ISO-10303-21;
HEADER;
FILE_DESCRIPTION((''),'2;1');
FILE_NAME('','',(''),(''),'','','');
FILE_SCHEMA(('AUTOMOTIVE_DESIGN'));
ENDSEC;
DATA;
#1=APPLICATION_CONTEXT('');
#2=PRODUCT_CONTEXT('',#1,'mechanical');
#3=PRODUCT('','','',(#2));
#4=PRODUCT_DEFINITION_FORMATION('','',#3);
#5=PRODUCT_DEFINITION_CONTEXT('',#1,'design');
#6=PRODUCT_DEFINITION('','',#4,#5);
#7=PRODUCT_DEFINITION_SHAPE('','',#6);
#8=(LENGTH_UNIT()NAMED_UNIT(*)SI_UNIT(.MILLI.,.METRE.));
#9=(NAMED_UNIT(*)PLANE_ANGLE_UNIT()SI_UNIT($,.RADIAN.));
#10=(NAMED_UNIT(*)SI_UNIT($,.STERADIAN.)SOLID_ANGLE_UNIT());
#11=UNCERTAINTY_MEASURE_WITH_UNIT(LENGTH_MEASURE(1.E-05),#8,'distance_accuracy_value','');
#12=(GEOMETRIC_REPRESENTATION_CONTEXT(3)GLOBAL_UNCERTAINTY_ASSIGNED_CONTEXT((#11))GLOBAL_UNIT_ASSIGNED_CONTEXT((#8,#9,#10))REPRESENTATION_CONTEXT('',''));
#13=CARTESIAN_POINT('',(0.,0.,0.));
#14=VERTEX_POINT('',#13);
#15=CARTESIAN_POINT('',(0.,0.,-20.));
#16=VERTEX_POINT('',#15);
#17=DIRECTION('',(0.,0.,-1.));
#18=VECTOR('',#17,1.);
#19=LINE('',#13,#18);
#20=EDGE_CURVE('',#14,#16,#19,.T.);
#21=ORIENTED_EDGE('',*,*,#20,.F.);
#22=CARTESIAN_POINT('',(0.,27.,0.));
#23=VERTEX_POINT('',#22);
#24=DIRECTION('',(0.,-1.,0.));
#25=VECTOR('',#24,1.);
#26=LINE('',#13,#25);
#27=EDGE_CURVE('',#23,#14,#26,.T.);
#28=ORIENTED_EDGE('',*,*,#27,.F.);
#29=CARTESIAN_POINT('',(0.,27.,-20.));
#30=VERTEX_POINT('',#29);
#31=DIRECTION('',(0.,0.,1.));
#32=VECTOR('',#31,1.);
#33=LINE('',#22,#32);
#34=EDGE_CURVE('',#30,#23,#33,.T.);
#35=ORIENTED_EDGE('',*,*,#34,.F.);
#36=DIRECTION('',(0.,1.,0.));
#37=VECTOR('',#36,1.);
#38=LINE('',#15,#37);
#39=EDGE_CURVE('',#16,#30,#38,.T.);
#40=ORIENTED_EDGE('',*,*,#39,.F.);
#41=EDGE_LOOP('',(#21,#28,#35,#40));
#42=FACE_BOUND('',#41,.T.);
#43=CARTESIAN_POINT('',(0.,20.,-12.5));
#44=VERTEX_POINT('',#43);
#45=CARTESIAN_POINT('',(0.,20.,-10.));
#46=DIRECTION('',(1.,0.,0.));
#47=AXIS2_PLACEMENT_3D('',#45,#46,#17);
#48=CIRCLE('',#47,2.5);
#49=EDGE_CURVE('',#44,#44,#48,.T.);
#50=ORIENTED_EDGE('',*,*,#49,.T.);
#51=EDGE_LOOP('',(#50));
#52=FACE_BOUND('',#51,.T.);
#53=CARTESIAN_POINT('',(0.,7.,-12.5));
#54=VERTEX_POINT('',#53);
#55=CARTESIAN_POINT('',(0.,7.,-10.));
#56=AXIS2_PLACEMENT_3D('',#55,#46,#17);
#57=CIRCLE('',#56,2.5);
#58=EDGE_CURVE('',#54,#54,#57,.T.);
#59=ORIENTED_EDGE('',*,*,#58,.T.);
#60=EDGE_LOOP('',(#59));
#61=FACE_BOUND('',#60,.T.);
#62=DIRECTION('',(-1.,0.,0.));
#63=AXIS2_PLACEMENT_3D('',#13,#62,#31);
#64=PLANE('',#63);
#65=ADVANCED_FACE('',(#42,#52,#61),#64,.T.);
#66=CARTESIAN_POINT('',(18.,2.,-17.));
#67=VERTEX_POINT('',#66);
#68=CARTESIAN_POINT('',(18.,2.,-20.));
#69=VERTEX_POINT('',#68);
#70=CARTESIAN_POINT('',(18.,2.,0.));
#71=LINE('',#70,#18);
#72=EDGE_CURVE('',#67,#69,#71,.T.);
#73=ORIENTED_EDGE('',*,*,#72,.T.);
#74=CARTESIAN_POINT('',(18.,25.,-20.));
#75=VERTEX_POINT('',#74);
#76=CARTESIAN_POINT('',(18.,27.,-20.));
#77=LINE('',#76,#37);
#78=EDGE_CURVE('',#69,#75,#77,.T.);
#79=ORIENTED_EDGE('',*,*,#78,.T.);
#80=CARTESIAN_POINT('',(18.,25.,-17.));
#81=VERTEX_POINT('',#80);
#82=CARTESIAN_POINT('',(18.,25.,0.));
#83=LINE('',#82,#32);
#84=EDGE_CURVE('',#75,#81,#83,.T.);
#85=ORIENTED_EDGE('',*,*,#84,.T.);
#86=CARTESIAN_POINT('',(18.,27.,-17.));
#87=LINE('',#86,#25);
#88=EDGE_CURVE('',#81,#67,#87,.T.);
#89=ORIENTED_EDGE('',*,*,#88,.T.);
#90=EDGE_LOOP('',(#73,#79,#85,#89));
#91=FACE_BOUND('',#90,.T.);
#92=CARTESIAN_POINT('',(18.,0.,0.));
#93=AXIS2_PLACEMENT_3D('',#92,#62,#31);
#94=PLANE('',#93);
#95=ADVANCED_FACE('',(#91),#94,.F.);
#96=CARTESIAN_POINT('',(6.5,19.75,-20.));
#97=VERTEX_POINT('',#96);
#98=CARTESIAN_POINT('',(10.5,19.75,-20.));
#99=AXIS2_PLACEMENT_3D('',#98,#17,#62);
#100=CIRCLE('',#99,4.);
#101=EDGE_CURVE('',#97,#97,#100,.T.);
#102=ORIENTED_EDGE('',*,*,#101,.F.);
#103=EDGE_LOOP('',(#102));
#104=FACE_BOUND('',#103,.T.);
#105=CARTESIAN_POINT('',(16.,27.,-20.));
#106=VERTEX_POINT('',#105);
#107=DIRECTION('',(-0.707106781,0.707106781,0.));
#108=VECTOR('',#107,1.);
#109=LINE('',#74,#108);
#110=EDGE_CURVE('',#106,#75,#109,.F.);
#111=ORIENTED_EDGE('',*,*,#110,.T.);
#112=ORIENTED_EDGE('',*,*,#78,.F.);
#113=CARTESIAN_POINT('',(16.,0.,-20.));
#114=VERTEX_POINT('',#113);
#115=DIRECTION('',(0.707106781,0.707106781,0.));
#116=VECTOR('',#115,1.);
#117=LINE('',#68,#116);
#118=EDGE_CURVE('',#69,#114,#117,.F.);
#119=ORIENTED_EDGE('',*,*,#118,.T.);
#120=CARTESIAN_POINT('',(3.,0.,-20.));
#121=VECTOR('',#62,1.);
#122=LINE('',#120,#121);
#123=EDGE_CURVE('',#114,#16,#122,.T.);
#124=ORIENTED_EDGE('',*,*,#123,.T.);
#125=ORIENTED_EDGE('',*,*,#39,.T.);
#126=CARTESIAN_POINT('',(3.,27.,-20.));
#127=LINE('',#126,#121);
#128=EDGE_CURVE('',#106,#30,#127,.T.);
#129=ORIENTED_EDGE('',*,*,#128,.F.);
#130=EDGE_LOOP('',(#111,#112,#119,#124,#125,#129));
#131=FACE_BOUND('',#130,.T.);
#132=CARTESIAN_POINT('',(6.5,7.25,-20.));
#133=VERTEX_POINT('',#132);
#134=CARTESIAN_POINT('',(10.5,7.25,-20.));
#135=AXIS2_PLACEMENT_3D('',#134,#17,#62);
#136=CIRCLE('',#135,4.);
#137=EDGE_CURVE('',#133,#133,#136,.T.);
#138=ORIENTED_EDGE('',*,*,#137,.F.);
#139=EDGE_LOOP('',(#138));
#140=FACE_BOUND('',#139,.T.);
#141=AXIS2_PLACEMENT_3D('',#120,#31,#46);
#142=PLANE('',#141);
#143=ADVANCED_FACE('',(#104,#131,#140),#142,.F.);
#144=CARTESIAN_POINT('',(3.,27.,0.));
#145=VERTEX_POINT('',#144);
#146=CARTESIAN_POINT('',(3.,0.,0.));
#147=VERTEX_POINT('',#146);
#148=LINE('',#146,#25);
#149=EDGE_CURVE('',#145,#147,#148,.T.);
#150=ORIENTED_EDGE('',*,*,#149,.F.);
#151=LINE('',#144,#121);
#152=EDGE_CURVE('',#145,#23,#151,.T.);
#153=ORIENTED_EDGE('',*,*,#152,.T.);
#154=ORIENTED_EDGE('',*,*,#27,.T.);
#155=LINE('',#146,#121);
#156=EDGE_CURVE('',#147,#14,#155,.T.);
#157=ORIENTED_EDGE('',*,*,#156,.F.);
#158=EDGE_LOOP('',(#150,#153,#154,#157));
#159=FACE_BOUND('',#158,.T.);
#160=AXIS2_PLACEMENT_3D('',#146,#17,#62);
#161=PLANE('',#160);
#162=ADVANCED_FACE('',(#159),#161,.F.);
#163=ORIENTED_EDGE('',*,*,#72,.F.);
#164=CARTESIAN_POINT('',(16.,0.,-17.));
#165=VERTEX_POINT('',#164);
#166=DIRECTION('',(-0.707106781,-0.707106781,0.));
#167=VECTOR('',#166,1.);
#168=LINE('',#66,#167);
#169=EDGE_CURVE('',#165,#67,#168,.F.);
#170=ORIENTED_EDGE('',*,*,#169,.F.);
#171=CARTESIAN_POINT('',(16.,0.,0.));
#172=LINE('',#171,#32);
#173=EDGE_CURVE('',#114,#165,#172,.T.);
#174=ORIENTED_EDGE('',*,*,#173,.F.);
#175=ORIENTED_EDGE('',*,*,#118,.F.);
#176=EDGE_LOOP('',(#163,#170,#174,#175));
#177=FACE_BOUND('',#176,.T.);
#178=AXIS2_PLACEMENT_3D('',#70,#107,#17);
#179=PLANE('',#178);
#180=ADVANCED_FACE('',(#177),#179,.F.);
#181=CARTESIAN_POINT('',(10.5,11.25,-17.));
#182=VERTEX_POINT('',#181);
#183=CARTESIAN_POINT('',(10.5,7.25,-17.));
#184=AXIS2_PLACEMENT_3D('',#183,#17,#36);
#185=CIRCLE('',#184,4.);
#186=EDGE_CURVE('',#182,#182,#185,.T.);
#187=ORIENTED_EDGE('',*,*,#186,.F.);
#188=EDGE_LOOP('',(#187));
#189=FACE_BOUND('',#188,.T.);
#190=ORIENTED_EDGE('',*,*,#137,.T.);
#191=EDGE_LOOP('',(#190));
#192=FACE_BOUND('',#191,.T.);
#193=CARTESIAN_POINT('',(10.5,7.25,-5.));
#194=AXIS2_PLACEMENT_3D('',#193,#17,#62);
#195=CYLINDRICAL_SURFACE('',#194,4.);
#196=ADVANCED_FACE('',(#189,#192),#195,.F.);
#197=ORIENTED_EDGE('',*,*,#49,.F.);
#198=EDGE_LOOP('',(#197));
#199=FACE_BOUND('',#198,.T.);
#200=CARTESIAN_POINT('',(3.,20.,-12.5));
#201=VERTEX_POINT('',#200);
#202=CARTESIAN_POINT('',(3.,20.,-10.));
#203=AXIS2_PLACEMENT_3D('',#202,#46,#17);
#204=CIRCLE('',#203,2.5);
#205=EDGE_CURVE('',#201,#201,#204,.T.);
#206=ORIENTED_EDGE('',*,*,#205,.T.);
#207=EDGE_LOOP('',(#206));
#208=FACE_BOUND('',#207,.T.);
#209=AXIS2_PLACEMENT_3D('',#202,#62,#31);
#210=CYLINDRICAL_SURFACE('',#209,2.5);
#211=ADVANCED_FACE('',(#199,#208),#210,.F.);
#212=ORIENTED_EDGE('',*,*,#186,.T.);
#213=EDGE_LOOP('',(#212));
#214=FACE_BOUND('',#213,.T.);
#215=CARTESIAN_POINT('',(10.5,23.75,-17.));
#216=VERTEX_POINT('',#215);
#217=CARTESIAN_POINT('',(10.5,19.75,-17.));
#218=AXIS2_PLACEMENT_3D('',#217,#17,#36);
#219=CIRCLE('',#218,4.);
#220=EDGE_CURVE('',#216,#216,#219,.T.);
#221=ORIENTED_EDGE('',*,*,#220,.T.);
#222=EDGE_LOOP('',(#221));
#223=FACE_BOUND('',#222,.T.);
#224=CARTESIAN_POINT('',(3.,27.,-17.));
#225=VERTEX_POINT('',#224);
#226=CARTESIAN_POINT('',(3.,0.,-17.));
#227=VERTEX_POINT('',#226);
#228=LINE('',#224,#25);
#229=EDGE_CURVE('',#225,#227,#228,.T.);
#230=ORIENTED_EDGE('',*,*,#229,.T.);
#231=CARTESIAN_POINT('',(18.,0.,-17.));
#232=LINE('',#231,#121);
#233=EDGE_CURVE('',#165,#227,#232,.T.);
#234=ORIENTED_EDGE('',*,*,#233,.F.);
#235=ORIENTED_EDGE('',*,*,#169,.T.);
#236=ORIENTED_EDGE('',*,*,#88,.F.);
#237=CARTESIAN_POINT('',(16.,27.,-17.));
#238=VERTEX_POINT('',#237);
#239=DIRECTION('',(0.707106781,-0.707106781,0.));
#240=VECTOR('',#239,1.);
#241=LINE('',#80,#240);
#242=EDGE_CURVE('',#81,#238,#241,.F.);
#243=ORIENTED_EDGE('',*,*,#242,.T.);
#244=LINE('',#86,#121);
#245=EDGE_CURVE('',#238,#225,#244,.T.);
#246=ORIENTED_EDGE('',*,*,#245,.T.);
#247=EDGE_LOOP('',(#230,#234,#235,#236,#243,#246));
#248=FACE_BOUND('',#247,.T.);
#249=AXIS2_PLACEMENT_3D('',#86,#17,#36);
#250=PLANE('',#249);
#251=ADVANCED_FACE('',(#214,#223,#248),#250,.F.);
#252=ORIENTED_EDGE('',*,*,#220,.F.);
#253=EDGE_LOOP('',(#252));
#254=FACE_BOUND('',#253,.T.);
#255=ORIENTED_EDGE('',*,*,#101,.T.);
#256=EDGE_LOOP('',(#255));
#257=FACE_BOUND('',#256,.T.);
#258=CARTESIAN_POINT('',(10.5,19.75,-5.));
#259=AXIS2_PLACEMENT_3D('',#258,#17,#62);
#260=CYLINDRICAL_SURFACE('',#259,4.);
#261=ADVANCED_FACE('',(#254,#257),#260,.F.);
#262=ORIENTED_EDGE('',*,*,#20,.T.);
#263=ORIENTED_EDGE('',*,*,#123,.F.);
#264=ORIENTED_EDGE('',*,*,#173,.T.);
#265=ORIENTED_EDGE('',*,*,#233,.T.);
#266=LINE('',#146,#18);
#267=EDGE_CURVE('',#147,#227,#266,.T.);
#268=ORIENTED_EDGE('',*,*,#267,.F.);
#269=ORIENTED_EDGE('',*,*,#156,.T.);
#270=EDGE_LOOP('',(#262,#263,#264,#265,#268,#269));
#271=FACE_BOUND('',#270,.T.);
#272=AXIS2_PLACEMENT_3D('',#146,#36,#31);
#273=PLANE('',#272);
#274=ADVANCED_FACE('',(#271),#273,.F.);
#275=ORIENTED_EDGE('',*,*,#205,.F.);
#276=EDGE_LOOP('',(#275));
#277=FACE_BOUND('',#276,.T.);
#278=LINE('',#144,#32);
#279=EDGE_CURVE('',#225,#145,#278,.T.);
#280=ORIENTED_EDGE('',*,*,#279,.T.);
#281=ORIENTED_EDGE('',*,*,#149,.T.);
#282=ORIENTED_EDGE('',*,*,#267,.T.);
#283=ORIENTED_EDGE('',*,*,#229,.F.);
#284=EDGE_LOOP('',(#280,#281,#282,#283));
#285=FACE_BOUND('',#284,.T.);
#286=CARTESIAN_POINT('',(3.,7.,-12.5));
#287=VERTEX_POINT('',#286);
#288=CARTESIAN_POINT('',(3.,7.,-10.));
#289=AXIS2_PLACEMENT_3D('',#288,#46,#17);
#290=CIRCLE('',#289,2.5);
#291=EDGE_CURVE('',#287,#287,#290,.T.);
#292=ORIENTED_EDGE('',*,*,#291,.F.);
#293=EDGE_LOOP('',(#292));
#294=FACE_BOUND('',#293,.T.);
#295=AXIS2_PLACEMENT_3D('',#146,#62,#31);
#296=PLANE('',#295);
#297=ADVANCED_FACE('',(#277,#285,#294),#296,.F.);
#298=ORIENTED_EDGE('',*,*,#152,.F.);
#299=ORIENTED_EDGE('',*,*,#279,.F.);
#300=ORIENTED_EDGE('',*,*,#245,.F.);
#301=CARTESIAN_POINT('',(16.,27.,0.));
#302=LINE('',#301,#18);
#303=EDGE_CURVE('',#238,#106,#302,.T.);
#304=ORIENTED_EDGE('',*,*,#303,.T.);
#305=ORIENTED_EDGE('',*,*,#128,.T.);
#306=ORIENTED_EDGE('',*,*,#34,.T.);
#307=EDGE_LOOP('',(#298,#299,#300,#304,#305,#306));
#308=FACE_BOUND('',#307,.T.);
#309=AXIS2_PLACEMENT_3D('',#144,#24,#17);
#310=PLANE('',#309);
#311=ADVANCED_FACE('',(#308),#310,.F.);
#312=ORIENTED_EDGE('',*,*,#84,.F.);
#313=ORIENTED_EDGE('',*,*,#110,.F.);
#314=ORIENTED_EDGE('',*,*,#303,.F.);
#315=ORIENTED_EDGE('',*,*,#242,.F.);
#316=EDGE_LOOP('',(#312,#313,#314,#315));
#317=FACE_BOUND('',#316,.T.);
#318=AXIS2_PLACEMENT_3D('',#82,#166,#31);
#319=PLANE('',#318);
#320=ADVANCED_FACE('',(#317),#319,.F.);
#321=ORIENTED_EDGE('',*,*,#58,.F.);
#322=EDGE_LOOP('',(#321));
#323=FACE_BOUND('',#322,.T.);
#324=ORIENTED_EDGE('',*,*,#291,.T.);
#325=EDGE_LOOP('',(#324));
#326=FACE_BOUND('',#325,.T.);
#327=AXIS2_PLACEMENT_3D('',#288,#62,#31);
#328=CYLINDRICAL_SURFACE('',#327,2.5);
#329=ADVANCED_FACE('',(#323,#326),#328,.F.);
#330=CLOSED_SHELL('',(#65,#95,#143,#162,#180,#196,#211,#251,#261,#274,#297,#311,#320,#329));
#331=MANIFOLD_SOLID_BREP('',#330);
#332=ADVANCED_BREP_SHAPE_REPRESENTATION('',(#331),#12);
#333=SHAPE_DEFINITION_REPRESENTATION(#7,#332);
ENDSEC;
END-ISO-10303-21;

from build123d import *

# Parameters (mm, degrees)
SKETCH1_W           = 20
SKETCH1_H           = 27
SKETCH1_R           = 2.5
BOSS_EXTRUDE1_DEPTH = 3
SKETCH2_W           = 3
SKETCH2_H           = 27
BOSS_EXTRUDE2_DEPTH = 15
SKETCH3_R           = 4
CUT_EXTRUDE1_DEPTH  = 15
CHAMFER1_SIZE       = 2


with BuildPart() as part:
    # Sketch1 → Boss-Extrude1 (new body)
    with BuildSketch(Plane(origin=(0, 0, 0), x_dir=(0, 0, -1), z_dir=(1, 0, 0))):
        with Locations((10, 13.5)):
            Rectangle(SKETCH1_W, SKETCH1_H)
        with Locations((10, 7)):
            Circle(SKETCH1_R, mode=Mode.SUBTRACT)
        with Locations((10, 20)):
            Circle(SKETCH1_R, mode=Mode.SUBTRACT)
    extrude(amount=BOSS_EXTRUDE1_DEPTH)

    # Sketch2 → Boss-Extrude2 (add)
    with BuildSketch(Plane(origin=(3, 0, 0), x_dir=(0, 0, -1), z_dir=(1, 0, 0))):
        with Locations((18.5, 13.5)):
            Rectangle(SKETCH2_W, SKETCH2_H)
    extrude(amount=BOSS_EXTRUDE2_DEPTH)

    # Sketch3 → Cut-Extrude1 (cut)
    with BuildSketch(Plane(origin=(0, 0, -20), x_dir=(-1, 0, 0), z_dir=(0, 0, -1))):
        with Locations((-10.5, 19.75)):
            Circle(SKETCH3_R)
        with Locations((-10.5, 7.25)):
            Circle(SKETCH3_R)
    extrude(amount=-CUT_EXTRUDE1_DEPTH, mode=Mode.SUBTRACT)

    # Chamfer1
    chamfer1_edges = [part.edges().sort_by_distance(p)[0] for p in [
        (18, 27, -18.5),
        (18, 0, -18.5),
    ]]
    chamfer(chamfer1_edges, length=CHAMFER1_SIZE)


solid = part.part
